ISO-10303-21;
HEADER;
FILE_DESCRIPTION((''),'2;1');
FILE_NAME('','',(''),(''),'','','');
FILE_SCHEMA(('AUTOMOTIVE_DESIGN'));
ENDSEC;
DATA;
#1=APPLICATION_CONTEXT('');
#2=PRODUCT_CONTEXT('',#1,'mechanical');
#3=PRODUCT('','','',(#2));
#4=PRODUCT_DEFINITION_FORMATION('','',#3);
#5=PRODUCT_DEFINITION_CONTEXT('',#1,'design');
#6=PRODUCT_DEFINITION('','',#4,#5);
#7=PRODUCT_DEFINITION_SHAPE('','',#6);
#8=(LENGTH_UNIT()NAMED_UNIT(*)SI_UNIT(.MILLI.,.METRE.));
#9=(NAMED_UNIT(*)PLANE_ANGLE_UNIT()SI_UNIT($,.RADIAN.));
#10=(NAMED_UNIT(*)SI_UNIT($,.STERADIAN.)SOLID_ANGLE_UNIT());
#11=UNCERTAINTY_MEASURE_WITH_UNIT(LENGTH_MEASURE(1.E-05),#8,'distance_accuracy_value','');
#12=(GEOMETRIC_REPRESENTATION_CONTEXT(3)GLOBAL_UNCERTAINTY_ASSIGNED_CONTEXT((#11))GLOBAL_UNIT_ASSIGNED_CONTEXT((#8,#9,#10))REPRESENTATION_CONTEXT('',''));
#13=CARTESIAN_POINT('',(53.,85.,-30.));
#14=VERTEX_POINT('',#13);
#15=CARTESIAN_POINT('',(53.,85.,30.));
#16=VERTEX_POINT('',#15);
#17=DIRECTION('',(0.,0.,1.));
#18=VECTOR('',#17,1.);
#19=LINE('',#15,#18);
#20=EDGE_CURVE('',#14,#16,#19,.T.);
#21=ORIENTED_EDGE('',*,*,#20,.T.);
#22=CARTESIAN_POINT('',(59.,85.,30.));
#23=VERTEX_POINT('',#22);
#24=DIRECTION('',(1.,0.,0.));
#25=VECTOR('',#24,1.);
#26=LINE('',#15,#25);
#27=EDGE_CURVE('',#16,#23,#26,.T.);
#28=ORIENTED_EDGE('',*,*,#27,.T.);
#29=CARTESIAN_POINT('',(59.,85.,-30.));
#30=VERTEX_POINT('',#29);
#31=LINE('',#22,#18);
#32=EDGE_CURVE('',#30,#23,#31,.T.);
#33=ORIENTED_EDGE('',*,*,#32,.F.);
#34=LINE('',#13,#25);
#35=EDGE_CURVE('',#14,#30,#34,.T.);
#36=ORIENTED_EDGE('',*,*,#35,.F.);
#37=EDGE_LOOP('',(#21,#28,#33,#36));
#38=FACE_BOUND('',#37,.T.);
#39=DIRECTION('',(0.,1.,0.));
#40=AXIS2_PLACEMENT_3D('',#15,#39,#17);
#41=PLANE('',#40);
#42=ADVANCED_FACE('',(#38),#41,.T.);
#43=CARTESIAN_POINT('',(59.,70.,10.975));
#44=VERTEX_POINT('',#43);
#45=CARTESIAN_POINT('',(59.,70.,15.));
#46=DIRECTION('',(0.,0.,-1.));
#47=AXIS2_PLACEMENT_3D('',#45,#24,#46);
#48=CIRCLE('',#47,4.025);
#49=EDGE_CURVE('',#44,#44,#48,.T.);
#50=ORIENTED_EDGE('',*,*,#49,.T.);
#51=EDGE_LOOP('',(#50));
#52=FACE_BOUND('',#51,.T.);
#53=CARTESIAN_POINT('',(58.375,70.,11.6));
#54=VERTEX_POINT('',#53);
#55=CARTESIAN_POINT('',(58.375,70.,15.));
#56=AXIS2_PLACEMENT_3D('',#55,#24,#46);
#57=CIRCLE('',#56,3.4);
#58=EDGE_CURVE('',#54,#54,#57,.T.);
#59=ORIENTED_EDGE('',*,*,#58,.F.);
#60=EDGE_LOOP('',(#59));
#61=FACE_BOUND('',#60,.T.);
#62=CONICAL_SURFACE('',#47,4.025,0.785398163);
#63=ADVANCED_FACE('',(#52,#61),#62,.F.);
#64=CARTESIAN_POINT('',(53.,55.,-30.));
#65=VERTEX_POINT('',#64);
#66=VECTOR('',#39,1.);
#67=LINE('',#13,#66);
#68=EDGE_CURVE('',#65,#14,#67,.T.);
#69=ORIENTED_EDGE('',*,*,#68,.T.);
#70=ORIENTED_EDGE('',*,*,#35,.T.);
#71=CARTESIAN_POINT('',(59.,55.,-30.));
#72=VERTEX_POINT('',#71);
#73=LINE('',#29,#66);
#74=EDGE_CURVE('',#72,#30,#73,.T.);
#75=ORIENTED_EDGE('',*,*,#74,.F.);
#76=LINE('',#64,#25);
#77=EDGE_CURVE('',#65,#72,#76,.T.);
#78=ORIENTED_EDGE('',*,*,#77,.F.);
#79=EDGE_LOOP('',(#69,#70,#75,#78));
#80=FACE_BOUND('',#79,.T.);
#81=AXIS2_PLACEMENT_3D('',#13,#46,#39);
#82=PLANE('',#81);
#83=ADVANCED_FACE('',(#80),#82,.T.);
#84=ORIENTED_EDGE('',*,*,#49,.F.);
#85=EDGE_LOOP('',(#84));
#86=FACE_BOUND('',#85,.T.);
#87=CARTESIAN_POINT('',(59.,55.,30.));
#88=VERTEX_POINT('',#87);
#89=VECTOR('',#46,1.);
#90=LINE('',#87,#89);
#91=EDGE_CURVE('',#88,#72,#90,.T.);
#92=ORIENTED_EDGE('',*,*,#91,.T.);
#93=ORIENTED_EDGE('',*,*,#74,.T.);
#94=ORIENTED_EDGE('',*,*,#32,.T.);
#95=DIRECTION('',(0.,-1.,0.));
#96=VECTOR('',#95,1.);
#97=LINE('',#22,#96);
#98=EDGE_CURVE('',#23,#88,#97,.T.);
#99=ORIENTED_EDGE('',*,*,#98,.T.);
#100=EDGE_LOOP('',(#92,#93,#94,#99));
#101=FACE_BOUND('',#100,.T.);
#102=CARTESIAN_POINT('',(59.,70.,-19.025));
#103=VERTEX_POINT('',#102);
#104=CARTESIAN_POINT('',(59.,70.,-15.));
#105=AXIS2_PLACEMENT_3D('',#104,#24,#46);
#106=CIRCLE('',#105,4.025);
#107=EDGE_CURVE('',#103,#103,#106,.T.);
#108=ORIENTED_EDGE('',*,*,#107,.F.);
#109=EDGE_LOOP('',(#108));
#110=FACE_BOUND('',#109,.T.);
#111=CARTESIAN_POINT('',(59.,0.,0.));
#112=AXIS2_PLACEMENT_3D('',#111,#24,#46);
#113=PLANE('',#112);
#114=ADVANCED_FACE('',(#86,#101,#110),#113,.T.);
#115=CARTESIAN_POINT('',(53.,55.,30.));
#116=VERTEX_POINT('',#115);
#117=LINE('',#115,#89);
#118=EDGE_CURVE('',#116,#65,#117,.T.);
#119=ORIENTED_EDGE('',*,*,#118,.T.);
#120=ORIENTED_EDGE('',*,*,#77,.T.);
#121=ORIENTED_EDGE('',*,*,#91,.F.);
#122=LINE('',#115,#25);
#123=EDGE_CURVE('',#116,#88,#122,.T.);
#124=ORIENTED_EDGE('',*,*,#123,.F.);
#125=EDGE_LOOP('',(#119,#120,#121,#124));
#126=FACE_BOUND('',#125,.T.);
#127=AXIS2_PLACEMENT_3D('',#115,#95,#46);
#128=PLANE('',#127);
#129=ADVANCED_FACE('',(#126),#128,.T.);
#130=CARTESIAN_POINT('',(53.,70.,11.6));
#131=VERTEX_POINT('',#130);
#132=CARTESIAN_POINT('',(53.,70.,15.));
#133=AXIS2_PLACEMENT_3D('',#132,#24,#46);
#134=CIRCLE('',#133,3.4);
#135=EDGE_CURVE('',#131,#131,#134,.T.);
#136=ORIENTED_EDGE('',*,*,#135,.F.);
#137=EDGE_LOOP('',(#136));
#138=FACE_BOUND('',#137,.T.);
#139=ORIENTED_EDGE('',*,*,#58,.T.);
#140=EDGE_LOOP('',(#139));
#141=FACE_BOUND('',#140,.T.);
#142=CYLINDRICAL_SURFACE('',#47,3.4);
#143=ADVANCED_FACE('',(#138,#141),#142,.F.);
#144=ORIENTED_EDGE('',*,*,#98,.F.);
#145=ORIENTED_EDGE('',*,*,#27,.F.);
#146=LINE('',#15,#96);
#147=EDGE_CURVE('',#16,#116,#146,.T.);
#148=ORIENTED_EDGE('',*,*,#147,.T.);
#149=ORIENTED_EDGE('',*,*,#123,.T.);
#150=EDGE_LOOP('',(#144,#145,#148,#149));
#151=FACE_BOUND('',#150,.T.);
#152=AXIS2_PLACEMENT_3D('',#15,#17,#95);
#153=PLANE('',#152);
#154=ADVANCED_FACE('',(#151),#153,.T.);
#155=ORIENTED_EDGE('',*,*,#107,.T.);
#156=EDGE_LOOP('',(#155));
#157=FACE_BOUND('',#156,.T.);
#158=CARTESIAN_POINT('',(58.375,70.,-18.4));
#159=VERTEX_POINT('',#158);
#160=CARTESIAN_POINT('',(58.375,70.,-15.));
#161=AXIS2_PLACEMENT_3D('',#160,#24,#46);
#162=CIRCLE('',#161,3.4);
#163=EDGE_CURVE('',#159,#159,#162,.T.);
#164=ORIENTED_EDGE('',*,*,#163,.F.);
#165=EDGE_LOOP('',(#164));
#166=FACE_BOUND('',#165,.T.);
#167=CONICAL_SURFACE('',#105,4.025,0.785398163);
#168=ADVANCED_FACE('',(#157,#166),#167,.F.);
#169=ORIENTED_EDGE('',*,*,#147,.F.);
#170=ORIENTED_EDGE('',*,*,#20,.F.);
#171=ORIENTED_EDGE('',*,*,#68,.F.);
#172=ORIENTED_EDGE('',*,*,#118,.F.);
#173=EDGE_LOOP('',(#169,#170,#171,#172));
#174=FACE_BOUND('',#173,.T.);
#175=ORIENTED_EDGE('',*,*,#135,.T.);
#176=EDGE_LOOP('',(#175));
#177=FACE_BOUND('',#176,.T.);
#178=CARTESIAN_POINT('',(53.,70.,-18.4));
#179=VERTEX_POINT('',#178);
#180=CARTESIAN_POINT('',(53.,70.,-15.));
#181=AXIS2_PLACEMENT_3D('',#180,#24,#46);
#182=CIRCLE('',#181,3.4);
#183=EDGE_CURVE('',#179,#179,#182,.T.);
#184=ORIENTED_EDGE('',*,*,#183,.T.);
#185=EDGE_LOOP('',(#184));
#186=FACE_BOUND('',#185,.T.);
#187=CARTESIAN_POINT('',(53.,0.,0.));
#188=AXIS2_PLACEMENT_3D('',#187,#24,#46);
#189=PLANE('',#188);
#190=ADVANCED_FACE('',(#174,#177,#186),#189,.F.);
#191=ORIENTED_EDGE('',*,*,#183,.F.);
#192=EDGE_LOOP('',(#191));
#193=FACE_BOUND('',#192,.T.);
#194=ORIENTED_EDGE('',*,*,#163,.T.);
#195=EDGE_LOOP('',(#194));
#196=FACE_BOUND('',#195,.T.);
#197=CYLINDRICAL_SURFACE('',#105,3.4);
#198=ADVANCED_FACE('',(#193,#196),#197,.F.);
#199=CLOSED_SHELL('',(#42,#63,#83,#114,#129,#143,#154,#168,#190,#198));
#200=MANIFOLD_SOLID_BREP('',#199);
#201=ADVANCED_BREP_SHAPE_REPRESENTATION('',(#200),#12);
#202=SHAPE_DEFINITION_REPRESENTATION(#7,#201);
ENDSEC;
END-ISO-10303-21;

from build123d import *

# Parameters (mm, degrees)
SKETCH_3_W                  = 60
SKETCH_3_H                  = 30
EXTRUDE_2_DEPTH             = 3
HOLE_WIZARD_M84_D           = 6.8
HOLE_WIZARD_M84_CSINK_D     = 8.05
HOLE_WIZARD_M84_CSINK_ANGLE = 90


with BuildPart() as part:
    # Эскиз3 → Бобышка-Вытянуть2 (new, symmetric)
    with BuildSketch(Plane(origin=(56, 0, 0), x_dir=(0, 0, -1), z_dir=(1, 0, 0))):
        with Locations((0, 70)):
            Rectangle(SKETCH_3_W, SKETCH_3_H)
    extrude(amount=EXTRUDE_2_DEPTH, both=True)

    # Отверстие обработанное метчиком M84 (through all)
    with Locations(Plane(origin=(59, 0, 0), x_dir=(0, 0, -1), z_dir=(1, 0, 0))):
        with Locations((-15, 70), (15, 70)):
            CounterSinkHole(HOLE_WIZARD_M84_D / 2, HOLE_WIZARD_M84_CSINK_D / 2, counter_sink_angle=HOLE_WIZARD_M84_CSINK_ANGLE)


solid = part.part
